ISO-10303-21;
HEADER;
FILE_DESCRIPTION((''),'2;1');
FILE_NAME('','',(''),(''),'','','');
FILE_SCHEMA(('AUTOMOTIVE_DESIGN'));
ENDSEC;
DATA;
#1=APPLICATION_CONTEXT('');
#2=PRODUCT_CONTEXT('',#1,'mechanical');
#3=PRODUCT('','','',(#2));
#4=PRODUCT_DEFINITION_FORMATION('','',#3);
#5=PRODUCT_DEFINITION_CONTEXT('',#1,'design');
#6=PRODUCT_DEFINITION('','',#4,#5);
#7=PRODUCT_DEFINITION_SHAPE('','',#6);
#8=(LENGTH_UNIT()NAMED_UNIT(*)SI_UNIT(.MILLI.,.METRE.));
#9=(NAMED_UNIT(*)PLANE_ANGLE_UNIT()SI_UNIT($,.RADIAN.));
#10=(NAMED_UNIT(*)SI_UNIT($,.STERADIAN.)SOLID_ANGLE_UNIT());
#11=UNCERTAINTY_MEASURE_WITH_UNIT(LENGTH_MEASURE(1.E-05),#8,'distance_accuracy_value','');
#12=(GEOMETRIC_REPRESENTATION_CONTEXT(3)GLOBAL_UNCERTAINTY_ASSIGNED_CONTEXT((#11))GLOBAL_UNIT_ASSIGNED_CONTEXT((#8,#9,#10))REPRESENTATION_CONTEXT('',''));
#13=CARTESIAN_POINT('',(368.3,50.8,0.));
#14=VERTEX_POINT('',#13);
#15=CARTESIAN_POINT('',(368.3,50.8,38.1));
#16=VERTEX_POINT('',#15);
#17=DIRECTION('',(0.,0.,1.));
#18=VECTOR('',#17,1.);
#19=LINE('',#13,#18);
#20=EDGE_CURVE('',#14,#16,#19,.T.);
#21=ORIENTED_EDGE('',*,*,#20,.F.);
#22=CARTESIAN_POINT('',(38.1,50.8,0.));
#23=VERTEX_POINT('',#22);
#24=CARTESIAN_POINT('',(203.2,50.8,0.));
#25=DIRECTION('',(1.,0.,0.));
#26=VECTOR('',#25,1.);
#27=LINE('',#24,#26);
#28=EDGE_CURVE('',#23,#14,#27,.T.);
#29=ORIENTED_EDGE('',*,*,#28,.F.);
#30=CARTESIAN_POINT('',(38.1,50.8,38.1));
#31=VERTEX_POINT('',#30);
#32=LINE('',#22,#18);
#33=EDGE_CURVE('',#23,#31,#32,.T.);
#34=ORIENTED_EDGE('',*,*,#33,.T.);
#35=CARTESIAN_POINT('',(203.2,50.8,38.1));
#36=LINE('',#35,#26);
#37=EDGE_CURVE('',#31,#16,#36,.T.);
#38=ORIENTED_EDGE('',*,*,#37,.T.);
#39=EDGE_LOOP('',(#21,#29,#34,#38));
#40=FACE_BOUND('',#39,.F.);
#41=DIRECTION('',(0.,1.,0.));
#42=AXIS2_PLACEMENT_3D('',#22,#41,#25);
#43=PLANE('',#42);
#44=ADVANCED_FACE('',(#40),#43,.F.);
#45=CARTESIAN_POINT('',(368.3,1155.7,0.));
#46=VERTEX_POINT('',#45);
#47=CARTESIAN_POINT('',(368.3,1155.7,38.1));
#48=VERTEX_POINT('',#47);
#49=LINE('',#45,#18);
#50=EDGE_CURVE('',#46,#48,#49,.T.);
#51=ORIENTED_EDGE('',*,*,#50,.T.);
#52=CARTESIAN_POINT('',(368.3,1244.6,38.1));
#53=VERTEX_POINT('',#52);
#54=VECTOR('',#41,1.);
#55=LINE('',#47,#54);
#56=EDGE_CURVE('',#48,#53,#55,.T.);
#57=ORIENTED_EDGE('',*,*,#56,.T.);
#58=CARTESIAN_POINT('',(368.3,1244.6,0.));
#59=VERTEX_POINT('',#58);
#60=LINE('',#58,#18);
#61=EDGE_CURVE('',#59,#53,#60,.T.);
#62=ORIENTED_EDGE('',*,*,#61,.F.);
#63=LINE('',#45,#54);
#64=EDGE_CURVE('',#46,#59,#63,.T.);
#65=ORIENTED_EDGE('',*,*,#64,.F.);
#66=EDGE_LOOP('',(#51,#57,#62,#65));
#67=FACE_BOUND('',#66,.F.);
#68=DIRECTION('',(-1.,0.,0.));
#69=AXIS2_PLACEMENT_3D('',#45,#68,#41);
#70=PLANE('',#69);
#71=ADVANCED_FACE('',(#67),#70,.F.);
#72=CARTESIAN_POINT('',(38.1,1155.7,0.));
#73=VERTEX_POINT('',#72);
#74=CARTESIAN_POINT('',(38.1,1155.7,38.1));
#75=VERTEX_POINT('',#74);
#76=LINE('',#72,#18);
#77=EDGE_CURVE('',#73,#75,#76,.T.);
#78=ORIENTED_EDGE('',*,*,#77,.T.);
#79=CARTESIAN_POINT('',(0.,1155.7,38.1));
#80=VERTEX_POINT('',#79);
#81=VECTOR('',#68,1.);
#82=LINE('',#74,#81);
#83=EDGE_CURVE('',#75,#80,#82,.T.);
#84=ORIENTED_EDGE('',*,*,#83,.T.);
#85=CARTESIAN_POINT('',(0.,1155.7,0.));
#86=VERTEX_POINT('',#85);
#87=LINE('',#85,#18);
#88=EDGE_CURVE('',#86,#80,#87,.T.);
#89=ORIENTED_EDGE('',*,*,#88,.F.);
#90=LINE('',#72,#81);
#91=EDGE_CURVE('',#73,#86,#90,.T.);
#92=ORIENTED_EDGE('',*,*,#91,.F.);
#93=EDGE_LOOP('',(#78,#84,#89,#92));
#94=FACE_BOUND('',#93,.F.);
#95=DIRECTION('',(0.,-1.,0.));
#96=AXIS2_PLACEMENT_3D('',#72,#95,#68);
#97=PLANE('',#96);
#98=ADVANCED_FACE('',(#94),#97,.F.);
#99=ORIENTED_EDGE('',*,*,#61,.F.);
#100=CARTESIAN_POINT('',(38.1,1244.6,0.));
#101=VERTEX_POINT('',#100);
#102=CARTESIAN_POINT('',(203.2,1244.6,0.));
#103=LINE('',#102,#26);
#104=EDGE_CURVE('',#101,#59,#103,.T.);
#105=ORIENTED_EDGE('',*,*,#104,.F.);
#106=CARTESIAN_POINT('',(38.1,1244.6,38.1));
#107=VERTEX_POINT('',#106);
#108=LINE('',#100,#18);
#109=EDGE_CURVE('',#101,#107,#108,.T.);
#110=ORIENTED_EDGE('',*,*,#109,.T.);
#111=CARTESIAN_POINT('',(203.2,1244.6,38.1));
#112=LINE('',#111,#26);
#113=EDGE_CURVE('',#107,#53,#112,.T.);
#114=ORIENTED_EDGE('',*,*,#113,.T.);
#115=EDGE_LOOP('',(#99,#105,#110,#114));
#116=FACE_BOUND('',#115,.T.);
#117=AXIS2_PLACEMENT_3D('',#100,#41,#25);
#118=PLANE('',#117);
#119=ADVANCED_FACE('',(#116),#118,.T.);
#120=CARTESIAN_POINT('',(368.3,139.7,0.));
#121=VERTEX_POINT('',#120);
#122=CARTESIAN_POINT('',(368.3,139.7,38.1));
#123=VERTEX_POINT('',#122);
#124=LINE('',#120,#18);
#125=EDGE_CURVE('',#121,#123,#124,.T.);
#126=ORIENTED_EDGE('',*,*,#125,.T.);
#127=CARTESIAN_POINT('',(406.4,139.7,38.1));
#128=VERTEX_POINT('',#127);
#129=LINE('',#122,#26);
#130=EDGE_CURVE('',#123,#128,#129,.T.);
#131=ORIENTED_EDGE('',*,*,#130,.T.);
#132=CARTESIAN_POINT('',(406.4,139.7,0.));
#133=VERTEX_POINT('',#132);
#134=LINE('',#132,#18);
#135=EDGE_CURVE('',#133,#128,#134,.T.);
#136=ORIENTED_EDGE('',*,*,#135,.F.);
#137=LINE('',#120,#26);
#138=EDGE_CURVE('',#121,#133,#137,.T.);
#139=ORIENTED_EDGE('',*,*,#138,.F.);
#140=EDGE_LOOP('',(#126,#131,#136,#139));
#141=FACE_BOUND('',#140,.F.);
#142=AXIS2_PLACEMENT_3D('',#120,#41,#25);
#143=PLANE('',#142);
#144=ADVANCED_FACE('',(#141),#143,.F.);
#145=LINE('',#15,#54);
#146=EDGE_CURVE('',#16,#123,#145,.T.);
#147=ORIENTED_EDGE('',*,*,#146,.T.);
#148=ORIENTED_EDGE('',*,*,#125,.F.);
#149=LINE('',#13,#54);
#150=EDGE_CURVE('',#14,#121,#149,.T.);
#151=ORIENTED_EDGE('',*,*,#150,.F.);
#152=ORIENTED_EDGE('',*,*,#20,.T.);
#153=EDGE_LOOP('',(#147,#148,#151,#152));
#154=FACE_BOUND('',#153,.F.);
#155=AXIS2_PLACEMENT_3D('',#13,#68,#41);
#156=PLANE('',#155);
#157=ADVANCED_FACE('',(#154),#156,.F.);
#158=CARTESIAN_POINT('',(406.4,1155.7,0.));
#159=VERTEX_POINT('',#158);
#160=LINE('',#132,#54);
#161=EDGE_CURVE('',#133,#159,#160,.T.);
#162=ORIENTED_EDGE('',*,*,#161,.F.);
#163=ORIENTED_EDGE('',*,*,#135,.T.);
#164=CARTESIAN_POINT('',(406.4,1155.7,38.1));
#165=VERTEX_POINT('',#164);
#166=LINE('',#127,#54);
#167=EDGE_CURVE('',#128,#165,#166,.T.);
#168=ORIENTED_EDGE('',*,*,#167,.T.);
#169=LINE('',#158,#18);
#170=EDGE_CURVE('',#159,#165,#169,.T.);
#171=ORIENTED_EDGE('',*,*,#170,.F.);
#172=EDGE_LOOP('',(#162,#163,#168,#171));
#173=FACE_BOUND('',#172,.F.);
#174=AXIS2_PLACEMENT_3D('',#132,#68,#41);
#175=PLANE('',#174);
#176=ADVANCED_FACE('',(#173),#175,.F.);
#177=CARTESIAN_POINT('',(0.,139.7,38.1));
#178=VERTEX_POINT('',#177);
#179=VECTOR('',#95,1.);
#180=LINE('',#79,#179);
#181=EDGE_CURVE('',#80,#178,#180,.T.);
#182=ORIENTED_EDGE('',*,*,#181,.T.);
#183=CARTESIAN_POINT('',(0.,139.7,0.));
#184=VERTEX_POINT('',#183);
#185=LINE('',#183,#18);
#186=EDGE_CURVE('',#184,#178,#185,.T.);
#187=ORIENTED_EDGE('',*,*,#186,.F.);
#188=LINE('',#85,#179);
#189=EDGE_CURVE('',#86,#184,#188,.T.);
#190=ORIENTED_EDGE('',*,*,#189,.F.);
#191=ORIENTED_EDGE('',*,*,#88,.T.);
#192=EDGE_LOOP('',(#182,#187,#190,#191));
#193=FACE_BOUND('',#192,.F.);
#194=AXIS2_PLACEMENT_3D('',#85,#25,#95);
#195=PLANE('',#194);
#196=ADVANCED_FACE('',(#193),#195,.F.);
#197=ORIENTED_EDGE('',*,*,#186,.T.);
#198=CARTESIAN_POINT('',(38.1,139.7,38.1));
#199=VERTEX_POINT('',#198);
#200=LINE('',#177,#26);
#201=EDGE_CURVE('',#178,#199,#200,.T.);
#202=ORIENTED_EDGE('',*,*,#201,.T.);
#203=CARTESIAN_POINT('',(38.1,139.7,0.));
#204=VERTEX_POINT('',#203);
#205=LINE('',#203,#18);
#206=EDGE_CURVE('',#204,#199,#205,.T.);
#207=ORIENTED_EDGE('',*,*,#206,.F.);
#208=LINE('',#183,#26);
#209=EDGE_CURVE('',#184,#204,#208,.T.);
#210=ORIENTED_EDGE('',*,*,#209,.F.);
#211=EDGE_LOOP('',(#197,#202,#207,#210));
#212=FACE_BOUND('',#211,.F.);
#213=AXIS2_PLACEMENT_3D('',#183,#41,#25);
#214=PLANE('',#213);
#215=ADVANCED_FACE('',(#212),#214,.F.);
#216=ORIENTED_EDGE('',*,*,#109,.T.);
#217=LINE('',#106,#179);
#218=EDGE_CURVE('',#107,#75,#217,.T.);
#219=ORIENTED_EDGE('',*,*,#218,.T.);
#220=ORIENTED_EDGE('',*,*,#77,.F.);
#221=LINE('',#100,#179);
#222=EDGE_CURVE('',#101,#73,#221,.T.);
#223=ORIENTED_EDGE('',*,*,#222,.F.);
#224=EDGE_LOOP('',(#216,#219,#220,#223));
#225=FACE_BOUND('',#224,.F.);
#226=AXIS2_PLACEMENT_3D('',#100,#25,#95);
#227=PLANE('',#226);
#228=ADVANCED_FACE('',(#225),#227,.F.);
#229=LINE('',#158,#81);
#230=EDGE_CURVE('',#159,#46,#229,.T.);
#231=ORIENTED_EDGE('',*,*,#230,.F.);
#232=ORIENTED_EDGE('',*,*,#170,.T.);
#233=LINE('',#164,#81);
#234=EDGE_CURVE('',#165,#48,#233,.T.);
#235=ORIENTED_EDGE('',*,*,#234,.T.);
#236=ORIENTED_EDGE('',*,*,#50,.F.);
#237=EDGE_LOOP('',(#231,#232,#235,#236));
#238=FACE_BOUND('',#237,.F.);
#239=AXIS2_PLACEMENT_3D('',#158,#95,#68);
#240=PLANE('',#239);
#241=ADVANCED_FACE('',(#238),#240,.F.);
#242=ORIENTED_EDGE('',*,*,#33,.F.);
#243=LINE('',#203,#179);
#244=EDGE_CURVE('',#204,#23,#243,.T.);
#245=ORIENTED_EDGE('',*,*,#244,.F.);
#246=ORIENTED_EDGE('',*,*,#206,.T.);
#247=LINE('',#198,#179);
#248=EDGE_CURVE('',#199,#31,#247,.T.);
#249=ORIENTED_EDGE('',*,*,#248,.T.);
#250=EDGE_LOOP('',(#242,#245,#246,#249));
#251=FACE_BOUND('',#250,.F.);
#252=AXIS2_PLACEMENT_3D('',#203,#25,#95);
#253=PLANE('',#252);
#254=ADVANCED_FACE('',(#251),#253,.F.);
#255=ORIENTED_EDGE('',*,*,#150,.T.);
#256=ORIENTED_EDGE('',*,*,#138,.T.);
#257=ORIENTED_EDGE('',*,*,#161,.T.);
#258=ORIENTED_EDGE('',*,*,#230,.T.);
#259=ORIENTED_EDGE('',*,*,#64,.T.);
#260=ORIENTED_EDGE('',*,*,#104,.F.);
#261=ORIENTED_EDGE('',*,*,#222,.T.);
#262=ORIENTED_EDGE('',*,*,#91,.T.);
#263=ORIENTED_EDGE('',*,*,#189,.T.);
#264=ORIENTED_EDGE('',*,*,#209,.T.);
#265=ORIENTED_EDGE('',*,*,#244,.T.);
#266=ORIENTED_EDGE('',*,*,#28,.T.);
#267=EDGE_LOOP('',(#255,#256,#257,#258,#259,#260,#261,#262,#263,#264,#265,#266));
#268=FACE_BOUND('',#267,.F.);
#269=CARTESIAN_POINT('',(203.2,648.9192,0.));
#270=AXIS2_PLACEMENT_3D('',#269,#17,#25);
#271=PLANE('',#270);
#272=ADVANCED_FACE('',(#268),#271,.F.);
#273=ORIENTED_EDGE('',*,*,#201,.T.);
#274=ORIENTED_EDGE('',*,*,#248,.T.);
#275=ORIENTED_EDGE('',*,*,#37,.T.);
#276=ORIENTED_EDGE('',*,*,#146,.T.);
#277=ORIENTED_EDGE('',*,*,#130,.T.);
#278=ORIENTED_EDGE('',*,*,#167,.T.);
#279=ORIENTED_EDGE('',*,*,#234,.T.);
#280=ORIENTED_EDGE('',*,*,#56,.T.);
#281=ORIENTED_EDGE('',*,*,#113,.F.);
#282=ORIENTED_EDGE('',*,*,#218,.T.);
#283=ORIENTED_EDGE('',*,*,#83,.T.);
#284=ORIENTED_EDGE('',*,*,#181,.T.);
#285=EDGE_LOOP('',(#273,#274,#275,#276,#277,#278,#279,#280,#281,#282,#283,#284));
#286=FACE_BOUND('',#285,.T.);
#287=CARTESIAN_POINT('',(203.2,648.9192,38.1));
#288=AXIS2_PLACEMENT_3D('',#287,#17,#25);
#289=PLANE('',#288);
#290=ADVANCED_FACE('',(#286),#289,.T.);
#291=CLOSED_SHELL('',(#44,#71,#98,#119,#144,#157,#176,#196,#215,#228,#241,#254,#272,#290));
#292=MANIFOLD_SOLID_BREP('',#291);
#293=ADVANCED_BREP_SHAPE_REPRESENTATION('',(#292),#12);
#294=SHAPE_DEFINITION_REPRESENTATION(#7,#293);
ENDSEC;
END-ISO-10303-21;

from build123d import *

# Parameters (mm, degrees)
F0_W     = 38.1
F0_H     = 88.9
F0_W_2   = 330.2
F0_H_2   = 44.45
F1_DEPTH = 38.1


with BuildPart() as f1:
    # F0 (on Top) → F1 (new body)
    with BuildSketch(Plane.XY):
        Polygon((0, 1155.7), (0, 717.55), (38.1, 717.55), (38.1, 628.65), (0, 628.65), (0, 139.7), (38.1, 139.7), (38.1, 95.25), (368.3, 95.25), (368.3, 139.7), (406.4, 139.7), (406.4, 628.65), (368.3, 628.65), (368.3, 717.55), (406.4, 717.55), (406.4, 1155.7), (368.3, 1155.7), (368.3, 1200.15), (38.1, 1200.15), (38.1, 1155.7), align=None)
        with Locations((19.05, 673.1)):
            Rectangle(F0_W, F0_H)
        with Locations((203.2, 1222.375)):
            Rectangle(F0_W_2, F0_H_2)
        with Locations((203.2, 73.025)):
            Rectangle(F0_W_2, F0_H_2)
        with Locations((387.35, 673.1)):
            Rectangle(F0_W, F0_H)
    extrude(amount=F1_DEPTH)


solid = f1.part
